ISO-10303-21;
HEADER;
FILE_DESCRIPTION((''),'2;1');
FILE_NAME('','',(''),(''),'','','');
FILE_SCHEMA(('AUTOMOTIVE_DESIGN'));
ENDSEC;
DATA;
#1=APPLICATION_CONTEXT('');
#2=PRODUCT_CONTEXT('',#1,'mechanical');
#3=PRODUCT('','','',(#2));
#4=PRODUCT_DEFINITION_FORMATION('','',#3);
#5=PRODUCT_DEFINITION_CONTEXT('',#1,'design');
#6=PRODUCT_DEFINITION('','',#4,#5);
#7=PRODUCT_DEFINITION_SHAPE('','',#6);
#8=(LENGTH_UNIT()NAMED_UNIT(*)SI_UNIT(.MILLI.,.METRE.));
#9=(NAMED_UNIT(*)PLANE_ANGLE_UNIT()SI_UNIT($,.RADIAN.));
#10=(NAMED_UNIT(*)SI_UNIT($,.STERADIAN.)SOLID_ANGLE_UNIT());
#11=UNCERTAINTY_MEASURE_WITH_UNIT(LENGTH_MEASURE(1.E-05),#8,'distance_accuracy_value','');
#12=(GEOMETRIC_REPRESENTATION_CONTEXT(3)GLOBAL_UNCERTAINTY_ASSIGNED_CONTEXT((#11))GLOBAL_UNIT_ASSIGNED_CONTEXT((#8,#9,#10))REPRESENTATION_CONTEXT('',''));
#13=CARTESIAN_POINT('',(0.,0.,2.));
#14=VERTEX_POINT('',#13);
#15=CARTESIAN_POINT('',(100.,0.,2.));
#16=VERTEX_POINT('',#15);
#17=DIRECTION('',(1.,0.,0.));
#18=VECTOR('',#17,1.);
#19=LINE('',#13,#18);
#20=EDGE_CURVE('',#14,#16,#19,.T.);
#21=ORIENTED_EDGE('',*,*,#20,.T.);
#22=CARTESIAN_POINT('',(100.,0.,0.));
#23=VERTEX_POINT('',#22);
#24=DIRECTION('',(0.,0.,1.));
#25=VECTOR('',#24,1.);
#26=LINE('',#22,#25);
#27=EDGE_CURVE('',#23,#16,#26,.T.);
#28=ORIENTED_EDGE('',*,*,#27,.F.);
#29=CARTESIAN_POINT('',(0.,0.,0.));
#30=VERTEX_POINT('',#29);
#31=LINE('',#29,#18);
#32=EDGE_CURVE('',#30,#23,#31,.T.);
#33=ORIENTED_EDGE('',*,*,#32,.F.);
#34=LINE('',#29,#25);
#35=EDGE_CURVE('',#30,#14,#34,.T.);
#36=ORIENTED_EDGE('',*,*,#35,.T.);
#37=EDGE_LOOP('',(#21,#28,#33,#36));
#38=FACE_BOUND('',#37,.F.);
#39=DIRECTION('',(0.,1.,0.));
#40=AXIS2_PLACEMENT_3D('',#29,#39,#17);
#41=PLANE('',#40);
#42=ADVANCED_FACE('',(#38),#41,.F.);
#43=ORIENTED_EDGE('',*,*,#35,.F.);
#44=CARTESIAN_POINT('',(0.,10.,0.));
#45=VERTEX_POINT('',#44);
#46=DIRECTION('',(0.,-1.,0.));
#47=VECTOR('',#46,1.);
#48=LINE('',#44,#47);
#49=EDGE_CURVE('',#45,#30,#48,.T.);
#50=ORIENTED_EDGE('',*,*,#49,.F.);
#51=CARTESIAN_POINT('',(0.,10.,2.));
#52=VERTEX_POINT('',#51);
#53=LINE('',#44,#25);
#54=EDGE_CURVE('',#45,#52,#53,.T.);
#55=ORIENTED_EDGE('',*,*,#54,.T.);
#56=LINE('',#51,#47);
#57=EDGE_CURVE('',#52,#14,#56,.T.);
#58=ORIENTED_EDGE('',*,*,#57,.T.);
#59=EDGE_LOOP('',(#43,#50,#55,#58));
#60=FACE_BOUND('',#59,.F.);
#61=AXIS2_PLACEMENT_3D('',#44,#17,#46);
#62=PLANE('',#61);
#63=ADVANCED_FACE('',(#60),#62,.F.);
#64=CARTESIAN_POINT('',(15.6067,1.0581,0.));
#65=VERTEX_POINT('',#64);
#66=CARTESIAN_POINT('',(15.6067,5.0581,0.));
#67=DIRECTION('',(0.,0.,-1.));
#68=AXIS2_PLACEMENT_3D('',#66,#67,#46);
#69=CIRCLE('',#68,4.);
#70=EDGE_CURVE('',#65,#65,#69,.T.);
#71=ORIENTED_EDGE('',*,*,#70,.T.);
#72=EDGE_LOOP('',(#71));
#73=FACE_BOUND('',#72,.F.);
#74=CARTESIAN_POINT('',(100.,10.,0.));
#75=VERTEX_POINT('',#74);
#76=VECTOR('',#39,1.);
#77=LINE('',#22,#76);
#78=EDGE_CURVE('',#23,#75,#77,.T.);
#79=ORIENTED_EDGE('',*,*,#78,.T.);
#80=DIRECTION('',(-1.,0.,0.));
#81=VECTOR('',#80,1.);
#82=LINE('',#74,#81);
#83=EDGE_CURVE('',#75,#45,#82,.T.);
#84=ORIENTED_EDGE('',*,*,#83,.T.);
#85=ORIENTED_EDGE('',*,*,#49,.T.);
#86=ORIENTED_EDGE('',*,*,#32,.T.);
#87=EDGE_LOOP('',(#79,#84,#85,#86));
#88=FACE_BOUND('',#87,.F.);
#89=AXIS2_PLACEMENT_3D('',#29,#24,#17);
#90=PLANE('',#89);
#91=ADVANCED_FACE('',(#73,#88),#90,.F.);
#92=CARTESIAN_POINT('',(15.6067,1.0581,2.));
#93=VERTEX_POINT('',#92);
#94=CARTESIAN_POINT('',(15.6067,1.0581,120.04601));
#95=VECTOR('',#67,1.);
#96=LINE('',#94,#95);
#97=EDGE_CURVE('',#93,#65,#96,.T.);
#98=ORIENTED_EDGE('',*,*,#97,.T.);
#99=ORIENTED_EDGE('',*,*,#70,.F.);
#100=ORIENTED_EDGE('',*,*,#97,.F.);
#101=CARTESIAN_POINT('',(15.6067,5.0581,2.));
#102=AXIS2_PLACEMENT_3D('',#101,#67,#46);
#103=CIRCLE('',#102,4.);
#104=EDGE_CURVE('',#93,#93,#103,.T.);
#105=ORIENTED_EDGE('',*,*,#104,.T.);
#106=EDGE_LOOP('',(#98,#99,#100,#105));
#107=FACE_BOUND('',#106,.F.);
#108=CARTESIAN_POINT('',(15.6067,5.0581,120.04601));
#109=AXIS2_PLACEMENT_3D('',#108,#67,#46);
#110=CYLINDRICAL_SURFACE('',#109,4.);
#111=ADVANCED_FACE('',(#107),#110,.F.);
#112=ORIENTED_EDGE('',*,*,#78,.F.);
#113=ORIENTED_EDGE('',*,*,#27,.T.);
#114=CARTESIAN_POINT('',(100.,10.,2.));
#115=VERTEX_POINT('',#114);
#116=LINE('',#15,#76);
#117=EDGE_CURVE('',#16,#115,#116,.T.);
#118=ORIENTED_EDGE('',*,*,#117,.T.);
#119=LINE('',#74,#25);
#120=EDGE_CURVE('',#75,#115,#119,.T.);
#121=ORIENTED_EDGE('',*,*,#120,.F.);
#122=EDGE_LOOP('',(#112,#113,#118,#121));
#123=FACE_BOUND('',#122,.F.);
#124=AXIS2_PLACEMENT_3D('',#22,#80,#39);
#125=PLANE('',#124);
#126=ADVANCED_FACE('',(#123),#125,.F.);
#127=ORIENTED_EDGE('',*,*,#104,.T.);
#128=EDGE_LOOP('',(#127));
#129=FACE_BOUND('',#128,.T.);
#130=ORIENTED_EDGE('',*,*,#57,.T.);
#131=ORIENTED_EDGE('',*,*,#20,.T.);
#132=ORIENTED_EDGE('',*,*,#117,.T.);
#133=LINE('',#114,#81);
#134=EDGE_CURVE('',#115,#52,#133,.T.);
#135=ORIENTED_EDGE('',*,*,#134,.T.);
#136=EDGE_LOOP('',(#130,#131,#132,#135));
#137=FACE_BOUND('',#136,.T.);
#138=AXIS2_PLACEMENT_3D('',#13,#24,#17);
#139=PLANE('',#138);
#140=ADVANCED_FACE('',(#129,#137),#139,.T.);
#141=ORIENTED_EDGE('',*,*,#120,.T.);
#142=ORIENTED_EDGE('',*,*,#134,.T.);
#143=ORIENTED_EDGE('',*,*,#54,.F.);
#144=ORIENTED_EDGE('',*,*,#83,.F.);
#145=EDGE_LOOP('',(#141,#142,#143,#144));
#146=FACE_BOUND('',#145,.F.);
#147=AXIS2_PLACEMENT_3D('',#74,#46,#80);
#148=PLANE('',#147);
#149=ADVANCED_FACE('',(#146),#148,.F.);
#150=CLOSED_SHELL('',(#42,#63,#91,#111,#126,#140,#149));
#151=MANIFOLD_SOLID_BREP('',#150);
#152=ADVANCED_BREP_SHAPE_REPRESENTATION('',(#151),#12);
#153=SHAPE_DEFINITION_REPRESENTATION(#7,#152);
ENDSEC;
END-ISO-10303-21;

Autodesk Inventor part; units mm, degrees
ref_plane "YZ Plane" through (0, 0, 0) normal (1, 0, 0) x (0, 1, 0)
ref_plane "XZ Plane" through (0, 0, 0) normal (0, 1, 0) x (-1, 0, 0)
ref_plane "XY Plane" through (0, 0, 0) normal (0, 0, 1) x (1, 0, 0)
sketch "Sketch1" plane through (0, 0, 0) normal (0, 0, 1) x (1, 0, 0)
  line L0 (0, 0) -> (100, 0)
  line L1 (100, 0) -> (100, 10)
  line L2 (100, 10) -> (0, 10)
  line L3 (0, 10) -> (0, 0)
  dimension "d0" = 100
  dimension "d1" = 10
extrude "Extrusion1" add sketch "Sketch1" along normal blind 2
sketch "Sketch2" plane through (0, 0, 2) normal (0, 0, 1) x (1, 0, 0)
  point P0 (0, 0)
  point P1 (15.6067, 5.0581)
hole "Hole1" at (15.6067, 5.0581, 2) direction (0, 0, -1) diameter 8 end through all both
